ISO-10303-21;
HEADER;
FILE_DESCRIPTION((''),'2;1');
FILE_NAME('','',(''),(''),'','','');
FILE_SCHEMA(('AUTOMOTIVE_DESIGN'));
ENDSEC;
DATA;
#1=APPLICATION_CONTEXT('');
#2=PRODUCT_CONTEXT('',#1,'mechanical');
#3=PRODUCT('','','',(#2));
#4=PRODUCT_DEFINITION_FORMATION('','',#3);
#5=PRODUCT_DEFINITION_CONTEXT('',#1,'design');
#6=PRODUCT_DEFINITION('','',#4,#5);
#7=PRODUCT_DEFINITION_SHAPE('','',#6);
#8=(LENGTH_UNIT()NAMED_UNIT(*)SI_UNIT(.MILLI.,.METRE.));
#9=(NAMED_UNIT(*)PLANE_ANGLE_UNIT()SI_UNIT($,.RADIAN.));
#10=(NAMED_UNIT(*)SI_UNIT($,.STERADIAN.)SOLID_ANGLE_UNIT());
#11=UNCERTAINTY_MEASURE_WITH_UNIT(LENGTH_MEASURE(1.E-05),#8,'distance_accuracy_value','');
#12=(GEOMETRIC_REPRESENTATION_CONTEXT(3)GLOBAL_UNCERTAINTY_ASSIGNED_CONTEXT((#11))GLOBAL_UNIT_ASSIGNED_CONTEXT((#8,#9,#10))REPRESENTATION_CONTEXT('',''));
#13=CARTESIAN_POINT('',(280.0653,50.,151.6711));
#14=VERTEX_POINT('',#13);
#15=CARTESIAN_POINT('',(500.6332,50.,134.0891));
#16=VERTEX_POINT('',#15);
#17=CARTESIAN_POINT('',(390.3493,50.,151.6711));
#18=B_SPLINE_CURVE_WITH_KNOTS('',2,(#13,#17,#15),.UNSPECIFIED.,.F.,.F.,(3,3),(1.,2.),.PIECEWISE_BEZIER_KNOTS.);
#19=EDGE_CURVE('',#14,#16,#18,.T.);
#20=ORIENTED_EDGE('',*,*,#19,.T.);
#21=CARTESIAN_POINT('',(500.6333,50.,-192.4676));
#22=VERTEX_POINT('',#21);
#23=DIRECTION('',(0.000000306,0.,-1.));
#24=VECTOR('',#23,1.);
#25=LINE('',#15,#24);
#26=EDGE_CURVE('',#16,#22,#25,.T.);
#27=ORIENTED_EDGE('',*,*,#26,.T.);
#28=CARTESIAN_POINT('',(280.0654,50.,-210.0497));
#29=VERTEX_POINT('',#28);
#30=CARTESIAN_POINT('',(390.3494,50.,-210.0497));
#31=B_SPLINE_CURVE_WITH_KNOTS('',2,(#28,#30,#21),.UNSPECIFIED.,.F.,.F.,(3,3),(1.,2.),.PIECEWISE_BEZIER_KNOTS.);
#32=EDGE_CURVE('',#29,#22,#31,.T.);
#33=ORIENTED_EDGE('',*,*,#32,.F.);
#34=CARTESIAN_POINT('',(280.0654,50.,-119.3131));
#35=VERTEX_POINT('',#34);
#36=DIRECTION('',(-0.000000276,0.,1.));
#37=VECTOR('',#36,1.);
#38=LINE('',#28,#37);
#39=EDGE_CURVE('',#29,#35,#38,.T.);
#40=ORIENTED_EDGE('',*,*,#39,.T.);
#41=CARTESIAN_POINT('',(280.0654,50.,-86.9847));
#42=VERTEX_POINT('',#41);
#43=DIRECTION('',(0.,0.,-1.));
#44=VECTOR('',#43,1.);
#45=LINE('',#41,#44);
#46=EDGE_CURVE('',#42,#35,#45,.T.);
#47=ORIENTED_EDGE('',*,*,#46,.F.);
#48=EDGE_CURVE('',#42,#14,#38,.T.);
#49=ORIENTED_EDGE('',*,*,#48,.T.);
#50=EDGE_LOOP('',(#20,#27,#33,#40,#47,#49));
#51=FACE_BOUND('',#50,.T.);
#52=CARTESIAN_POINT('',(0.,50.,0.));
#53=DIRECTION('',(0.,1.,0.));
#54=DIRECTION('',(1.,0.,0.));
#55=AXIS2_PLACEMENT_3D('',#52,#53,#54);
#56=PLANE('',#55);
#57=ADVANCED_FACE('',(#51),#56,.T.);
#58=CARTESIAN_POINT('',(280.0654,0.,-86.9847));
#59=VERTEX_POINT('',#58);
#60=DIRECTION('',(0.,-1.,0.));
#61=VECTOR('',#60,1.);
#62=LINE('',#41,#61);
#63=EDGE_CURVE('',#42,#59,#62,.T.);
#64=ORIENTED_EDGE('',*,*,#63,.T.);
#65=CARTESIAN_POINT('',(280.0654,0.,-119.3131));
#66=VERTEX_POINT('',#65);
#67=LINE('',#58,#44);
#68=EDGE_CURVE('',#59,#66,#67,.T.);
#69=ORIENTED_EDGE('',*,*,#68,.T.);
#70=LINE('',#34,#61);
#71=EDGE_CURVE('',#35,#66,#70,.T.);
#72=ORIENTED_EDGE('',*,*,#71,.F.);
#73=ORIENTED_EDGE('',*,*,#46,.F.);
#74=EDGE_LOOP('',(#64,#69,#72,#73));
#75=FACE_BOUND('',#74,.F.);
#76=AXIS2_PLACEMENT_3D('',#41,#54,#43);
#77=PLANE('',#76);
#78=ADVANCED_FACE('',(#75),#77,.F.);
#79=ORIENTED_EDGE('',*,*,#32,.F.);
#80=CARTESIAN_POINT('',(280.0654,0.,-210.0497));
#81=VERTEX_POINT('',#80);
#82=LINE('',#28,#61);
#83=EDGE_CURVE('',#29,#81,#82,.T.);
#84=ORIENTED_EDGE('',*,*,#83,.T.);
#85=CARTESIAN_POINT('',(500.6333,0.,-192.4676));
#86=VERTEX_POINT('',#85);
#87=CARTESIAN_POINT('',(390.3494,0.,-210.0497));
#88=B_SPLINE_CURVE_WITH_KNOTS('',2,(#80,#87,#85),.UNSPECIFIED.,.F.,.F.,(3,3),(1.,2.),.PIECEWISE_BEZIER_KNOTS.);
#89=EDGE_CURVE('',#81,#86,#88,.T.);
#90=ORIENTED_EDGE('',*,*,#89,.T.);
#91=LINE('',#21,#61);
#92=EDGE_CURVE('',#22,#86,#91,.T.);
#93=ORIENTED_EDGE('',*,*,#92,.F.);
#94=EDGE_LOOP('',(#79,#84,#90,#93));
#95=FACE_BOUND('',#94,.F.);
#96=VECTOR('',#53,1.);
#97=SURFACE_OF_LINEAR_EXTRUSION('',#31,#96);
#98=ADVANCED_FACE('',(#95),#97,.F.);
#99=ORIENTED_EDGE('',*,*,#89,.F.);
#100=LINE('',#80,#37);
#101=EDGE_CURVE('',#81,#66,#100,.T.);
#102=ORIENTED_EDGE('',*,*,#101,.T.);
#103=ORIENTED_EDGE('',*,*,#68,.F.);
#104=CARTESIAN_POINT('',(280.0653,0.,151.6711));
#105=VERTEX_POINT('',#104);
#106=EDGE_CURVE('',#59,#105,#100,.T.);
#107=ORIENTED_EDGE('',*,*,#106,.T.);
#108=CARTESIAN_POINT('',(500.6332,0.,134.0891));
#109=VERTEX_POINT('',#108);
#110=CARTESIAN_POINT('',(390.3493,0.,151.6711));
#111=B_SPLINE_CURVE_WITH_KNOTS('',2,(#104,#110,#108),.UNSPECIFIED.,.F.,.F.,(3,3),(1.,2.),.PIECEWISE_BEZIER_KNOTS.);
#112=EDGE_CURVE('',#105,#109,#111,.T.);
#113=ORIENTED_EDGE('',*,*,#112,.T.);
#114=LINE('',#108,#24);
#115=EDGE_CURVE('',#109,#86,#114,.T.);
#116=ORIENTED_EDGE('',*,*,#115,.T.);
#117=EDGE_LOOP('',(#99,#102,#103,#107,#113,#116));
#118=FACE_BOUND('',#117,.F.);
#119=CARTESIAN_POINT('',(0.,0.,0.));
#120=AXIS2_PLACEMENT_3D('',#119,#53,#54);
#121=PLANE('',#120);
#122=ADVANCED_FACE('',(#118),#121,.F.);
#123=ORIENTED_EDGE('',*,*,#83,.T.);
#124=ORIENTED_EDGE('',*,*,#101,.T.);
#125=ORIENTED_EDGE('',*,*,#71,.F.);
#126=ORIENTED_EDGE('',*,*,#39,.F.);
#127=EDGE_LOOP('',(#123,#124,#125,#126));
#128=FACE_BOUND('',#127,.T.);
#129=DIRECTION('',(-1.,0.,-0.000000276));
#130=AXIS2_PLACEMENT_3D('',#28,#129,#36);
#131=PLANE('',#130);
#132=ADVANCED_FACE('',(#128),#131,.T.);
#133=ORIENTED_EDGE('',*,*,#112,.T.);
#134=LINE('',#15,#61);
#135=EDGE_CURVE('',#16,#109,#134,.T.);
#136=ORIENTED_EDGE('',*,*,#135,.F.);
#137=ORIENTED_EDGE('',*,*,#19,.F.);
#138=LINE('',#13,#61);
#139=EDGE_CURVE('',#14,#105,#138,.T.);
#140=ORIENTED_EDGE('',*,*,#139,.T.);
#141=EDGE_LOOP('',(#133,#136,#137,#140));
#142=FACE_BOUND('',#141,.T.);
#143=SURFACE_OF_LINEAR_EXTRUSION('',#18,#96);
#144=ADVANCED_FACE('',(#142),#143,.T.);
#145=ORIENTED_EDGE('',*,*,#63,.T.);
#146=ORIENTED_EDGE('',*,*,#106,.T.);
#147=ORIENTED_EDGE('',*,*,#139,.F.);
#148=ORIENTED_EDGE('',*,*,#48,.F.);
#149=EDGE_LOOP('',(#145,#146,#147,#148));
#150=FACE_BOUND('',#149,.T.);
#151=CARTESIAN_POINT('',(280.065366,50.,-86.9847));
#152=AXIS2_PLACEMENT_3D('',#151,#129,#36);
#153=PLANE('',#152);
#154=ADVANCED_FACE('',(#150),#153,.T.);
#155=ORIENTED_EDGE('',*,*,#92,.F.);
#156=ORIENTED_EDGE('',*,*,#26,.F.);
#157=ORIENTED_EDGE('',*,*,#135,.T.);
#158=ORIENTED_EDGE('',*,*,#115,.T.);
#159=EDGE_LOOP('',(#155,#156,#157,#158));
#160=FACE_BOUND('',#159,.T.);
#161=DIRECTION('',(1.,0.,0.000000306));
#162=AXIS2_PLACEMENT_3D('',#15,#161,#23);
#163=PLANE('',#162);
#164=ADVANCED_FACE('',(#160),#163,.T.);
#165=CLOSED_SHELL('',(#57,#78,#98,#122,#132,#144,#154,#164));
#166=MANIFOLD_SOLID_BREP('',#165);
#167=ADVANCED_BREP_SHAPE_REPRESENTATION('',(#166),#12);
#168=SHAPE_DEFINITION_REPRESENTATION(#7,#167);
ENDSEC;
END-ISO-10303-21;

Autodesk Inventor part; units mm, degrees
ref_plane "YZ Plane" through (0, 0, 0) normal (1, 0, 0) x (0, 1, 0)
ref_plane "XZ Plane" through (0, 0, 0) normal (0, 1, 0) x (-1, 0, 0)
ref_plane "XY Plane" through (0, 0, 0) normal (0, 0, 1) x (1, 0, 0)
ref_plane "Plano de trabajo1" through (0, 50, 0) normal (0, 1, 0) x (1, 0, 0)
sketch "Boceto2" plane through (0, 50, 0) normal (0, 1, 0) x (1, 0, 0)
  line L0 (500.6332, -134.0891) -> (500.6333, 192.4676)
  line L1 (280.0654, 210.0497) -> (280.0653, -151.6711)
  line L2 (280.0654, 210.0497) -> (390.3494, 210.0497) construction
  line L3 (390.3494, 210.0497) -> (500.6333, 192.4676) construction
  spline S0 degree 2 poles (280.0654, 210.0497) (390.3494, 210.0497) (500.6333, 192.4676) knots 1 1 1 2 2 2
  spline S1 degree 2 poles (280.0653, -151.6711) (390.3493, -151.6711) (500.6332, -134.0891) knots 1 1 1 2 2 2
  line L4 (280.0653, -151.6711) -> (390.3493, -151.6711) construction
  line L5 (390.3493, -151.6711) -> (500.6332, -134.0891) construction
  line L6 (-182.5078, -134.4984) -> (-182.5078, 209.4027) projected
  line L7 (-163.212, -134.4984) -> (-182.5078, -134.4984) projected
  line L8 (-182.5078, 209.4027) -> (-170.0243, 209.4027) projected
  arc A0 (158.2881, -64.7914) -> (141.8037, 119.3131) centre (-117.1057, 3.3405) ccw
  line L9 (280.0654, 86.9847) -> (280.0654, 119.3131)
  arc A1 (166.3277, 13.9754) -> (163.3188, 46.3037) centre (-97.2594, 5.7469) ccw
  point P0 (0, 0)
  point P1 (-85.0735, -155.8983)
  point P2 (120.8954, -149.1961)
  point P3 (0.0587, 221.333)
  point P4 (141.8037, 86.9847)
  point P5 (141.8037, -60.9345)
extrude "Extrusión5" add sketch "Boceto2" against normal blind 50 contours S1 L1 S0 L0
properties part number "Soporte muñeca"
